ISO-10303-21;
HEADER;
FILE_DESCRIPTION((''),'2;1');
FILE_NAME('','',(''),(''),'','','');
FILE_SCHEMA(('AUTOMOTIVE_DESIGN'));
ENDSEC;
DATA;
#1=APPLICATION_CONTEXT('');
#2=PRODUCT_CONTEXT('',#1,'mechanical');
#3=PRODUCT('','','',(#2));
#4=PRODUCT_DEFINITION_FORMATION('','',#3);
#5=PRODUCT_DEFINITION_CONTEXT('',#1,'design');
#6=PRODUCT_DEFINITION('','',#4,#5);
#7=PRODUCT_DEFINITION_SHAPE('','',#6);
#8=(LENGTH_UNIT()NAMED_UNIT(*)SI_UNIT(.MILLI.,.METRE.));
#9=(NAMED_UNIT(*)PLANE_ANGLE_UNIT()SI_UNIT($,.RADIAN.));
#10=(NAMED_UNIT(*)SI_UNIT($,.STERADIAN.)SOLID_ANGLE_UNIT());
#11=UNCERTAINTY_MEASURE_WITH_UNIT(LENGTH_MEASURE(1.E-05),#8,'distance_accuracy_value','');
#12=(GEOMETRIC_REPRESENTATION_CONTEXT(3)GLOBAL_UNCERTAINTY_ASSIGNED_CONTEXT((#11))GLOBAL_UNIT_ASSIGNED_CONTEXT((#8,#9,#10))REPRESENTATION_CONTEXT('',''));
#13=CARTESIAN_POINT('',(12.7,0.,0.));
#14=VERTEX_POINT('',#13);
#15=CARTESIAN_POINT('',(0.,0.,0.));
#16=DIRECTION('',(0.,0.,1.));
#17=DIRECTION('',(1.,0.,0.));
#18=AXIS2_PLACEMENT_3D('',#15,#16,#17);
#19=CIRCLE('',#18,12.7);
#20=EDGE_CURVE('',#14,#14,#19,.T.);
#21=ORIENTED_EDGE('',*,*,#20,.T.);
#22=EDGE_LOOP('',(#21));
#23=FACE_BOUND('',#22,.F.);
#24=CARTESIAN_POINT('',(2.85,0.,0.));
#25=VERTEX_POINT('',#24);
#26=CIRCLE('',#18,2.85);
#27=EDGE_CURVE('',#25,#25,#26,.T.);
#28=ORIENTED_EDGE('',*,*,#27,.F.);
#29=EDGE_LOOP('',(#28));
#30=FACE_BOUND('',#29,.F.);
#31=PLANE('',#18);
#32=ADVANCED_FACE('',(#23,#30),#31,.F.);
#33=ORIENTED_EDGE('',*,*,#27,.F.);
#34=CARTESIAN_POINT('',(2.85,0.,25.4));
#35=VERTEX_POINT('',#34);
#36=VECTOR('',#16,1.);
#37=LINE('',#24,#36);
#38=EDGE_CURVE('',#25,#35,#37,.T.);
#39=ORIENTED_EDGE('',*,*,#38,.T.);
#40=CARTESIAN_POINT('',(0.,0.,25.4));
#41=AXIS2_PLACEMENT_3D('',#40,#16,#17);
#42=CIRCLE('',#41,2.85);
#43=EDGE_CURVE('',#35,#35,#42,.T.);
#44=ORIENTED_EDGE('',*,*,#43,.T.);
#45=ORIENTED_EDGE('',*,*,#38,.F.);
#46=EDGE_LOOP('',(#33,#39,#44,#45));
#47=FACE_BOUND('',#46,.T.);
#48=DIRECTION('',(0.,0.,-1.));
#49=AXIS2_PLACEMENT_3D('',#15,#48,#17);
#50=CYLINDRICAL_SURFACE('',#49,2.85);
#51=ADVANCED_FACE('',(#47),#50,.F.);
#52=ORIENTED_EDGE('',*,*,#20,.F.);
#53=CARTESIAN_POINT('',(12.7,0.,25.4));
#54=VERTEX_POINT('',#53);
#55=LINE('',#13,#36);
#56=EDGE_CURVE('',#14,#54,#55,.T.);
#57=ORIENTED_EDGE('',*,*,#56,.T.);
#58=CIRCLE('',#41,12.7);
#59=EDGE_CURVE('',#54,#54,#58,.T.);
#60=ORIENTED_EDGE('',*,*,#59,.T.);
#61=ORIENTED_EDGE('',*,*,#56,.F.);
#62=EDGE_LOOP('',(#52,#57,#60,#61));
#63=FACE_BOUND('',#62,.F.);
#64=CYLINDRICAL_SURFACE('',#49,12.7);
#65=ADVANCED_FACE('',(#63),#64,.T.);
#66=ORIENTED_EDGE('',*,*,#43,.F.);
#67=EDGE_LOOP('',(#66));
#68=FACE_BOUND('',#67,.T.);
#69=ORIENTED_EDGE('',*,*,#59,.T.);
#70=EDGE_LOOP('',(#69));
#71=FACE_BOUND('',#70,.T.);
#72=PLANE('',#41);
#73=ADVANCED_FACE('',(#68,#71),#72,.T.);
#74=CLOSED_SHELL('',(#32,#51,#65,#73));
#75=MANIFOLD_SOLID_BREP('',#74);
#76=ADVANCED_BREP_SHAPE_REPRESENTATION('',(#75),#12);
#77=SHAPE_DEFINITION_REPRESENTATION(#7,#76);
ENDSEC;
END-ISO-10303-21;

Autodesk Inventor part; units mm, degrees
ref_plane "YZ Plane" through (0, 0, 0) normal (1, 0, 0) x (0, 1, 0)
ref_plane "XZ Plane" through (0, 0, 0) normal (0, 1, 0) x (-1, 0, 0)
ref_plane "XY Plane" through (0, 0, 0) normal (0, 0, 1) x (1, 0, 0)
sketch "Sketch1" plane through (0, 0, 0) normal (0, 0, 1) x (1, 0, 0)
  circle A0 centre (0, 0) radius 2.85
  circle A1 centre (0, 0) radius 12.7
  dimension "d0" = 5.7
  dimension "d1" = 25.4
extrude "Extrusion1" add sketch "Sketch1" along normal blind 25.4
properties part number "Cord_Retraction"
